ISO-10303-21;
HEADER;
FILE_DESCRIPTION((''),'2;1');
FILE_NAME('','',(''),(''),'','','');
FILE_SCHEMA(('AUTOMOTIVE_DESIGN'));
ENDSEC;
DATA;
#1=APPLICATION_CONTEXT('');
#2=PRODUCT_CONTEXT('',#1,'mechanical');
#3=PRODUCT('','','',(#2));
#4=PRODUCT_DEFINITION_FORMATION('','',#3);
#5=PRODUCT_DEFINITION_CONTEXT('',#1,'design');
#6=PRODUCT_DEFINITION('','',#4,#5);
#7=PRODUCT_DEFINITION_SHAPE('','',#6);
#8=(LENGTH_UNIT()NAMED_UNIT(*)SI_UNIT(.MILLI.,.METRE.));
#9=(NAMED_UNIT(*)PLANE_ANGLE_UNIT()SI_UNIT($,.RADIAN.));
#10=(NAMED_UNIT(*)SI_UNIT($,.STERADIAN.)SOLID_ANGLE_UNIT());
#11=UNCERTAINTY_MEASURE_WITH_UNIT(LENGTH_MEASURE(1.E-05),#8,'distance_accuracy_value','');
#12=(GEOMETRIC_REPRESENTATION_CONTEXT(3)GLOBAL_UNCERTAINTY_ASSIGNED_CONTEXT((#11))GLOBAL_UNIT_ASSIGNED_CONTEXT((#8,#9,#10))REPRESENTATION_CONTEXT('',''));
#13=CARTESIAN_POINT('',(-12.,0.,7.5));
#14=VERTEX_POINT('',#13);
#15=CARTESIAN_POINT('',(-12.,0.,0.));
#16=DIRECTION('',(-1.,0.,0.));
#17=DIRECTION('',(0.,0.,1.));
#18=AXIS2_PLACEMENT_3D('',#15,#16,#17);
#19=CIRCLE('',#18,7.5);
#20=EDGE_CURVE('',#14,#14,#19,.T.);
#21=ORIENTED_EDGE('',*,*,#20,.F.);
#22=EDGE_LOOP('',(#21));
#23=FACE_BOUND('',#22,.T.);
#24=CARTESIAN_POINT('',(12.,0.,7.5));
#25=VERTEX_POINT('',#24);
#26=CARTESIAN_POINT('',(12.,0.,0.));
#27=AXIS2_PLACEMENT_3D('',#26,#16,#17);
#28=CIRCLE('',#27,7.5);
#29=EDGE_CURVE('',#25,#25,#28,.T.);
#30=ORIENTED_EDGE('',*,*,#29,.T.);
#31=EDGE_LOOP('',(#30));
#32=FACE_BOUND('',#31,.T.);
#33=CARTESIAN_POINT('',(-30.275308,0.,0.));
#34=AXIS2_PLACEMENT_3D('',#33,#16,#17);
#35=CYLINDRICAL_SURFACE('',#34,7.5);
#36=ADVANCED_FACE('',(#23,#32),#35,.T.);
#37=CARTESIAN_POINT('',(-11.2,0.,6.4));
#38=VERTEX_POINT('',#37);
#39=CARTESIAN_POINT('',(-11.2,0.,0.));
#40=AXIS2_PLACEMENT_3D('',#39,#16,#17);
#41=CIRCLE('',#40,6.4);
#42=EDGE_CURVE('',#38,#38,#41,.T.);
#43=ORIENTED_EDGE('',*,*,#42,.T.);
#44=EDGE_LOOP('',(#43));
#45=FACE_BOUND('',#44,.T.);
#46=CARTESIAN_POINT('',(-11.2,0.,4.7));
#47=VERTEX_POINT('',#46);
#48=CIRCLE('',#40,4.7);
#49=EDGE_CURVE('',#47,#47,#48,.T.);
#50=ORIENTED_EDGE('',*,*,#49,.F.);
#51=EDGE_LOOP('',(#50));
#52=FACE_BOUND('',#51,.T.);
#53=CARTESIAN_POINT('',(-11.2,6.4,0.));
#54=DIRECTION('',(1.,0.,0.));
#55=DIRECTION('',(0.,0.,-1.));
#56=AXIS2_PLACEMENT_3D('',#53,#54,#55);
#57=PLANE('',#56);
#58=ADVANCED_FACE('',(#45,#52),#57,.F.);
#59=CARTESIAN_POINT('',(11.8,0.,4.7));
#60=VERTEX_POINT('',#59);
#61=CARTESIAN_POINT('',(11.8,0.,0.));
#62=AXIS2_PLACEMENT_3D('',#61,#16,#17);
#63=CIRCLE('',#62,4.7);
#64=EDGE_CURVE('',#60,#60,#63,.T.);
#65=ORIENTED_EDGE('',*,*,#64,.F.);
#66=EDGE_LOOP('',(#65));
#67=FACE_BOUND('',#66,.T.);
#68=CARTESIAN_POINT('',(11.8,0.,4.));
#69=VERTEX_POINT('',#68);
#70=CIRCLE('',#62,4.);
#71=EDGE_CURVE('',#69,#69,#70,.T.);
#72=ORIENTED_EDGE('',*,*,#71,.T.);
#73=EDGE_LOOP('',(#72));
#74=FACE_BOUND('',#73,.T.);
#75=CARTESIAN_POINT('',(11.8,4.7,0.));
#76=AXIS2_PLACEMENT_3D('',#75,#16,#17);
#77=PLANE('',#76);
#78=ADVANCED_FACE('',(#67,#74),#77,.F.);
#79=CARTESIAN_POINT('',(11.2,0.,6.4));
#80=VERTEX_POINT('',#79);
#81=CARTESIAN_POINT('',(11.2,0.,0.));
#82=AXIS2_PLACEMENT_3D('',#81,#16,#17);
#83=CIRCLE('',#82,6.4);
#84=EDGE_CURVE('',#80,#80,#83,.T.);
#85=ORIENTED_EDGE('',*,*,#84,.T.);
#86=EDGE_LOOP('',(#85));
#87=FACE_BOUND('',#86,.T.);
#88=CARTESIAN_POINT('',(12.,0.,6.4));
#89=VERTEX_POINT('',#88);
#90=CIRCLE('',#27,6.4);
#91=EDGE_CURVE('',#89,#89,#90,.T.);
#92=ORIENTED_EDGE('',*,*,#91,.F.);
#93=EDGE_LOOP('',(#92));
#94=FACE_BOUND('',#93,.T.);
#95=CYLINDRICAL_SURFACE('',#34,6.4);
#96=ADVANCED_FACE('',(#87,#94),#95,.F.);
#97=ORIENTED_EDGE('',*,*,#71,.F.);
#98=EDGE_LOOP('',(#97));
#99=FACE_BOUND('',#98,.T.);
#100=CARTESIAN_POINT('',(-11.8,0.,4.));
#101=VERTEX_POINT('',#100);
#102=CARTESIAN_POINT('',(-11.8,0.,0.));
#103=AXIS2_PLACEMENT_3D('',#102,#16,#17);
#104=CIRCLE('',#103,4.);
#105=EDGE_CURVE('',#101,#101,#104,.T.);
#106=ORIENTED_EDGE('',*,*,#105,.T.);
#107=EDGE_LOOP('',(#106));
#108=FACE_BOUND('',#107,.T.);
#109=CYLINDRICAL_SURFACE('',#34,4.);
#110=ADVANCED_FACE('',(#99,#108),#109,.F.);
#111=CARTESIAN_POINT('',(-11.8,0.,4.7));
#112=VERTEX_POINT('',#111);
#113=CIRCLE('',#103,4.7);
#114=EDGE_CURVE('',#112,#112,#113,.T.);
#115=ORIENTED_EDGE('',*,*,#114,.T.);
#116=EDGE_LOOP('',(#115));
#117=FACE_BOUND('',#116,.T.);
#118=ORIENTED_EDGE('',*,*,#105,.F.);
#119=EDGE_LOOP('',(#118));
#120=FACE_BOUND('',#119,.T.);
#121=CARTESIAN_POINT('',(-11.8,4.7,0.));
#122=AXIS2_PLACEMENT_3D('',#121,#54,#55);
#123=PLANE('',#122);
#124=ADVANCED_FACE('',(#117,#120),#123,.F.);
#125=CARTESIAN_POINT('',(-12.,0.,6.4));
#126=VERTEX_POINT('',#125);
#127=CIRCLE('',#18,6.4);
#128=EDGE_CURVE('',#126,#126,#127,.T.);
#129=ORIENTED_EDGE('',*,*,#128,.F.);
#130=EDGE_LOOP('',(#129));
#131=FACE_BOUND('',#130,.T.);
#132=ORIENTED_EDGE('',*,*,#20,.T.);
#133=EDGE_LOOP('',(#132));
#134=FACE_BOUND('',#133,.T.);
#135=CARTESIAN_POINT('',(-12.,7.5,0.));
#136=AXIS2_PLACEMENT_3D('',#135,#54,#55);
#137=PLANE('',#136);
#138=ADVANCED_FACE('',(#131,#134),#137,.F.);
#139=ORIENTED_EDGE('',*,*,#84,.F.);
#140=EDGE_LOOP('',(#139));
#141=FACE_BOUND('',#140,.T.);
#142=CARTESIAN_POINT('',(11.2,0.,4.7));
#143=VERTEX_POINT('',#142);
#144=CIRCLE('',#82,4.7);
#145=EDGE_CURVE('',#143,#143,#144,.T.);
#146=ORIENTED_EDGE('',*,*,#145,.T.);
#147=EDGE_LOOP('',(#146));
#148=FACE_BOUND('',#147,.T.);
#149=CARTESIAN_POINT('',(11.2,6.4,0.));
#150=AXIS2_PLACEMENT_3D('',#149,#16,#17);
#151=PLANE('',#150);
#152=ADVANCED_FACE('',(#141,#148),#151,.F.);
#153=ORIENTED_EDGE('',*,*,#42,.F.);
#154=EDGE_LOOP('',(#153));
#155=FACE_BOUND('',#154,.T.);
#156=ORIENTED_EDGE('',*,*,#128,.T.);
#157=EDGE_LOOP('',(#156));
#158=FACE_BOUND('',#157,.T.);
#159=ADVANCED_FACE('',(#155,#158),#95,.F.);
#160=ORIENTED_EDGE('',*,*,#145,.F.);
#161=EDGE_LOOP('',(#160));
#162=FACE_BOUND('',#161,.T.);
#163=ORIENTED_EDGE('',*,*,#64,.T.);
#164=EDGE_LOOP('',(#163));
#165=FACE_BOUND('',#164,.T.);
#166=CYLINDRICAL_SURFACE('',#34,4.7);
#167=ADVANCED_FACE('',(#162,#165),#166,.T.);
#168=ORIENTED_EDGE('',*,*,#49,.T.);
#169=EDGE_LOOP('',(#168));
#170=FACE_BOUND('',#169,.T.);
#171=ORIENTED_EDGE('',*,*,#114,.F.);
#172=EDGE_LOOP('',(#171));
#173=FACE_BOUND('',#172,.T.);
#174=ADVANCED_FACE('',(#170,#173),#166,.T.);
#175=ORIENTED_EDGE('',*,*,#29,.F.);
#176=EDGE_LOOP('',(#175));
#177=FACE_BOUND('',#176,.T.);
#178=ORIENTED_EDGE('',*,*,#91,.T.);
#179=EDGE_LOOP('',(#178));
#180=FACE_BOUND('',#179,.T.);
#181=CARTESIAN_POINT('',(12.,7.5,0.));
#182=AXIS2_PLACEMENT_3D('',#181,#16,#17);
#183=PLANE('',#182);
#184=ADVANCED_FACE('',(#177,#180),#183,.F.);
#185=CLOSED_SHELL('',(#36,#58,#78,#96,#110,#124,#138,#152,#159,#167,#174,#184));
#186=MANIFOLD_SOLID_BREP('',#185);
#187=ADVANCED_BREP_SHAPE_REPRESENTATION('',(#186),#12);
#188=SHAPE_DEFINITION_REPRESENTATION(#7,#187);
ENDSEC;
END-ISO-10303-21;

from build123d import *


with BuildPart() as part:
    # Sketch1 → Revolve1 (revolve)
    with BuildSketch(Plane.XY, mode=Mode.PRIVATE) as revolve1_sk:
        Polygon((-12, 7.5), (12, 7.5), (12, 6.4), (11.2, 6.4), (11.2, 4.7), (11.8, 4.7), (11.8, 4), (-11.8, 4), (-11.8, 4.7), (-11.2, 4.7), (-11.2, 6.4), (-12, 6.4), align=None)
    revolve(revolve1_sk.sketch.rotate(Axis((-30.2753079, 0, 0), (1, 0, 0)), 90), axis=Axis((-30.2753079, 0, 0), (1, 0, 0)))


solid = part.part
